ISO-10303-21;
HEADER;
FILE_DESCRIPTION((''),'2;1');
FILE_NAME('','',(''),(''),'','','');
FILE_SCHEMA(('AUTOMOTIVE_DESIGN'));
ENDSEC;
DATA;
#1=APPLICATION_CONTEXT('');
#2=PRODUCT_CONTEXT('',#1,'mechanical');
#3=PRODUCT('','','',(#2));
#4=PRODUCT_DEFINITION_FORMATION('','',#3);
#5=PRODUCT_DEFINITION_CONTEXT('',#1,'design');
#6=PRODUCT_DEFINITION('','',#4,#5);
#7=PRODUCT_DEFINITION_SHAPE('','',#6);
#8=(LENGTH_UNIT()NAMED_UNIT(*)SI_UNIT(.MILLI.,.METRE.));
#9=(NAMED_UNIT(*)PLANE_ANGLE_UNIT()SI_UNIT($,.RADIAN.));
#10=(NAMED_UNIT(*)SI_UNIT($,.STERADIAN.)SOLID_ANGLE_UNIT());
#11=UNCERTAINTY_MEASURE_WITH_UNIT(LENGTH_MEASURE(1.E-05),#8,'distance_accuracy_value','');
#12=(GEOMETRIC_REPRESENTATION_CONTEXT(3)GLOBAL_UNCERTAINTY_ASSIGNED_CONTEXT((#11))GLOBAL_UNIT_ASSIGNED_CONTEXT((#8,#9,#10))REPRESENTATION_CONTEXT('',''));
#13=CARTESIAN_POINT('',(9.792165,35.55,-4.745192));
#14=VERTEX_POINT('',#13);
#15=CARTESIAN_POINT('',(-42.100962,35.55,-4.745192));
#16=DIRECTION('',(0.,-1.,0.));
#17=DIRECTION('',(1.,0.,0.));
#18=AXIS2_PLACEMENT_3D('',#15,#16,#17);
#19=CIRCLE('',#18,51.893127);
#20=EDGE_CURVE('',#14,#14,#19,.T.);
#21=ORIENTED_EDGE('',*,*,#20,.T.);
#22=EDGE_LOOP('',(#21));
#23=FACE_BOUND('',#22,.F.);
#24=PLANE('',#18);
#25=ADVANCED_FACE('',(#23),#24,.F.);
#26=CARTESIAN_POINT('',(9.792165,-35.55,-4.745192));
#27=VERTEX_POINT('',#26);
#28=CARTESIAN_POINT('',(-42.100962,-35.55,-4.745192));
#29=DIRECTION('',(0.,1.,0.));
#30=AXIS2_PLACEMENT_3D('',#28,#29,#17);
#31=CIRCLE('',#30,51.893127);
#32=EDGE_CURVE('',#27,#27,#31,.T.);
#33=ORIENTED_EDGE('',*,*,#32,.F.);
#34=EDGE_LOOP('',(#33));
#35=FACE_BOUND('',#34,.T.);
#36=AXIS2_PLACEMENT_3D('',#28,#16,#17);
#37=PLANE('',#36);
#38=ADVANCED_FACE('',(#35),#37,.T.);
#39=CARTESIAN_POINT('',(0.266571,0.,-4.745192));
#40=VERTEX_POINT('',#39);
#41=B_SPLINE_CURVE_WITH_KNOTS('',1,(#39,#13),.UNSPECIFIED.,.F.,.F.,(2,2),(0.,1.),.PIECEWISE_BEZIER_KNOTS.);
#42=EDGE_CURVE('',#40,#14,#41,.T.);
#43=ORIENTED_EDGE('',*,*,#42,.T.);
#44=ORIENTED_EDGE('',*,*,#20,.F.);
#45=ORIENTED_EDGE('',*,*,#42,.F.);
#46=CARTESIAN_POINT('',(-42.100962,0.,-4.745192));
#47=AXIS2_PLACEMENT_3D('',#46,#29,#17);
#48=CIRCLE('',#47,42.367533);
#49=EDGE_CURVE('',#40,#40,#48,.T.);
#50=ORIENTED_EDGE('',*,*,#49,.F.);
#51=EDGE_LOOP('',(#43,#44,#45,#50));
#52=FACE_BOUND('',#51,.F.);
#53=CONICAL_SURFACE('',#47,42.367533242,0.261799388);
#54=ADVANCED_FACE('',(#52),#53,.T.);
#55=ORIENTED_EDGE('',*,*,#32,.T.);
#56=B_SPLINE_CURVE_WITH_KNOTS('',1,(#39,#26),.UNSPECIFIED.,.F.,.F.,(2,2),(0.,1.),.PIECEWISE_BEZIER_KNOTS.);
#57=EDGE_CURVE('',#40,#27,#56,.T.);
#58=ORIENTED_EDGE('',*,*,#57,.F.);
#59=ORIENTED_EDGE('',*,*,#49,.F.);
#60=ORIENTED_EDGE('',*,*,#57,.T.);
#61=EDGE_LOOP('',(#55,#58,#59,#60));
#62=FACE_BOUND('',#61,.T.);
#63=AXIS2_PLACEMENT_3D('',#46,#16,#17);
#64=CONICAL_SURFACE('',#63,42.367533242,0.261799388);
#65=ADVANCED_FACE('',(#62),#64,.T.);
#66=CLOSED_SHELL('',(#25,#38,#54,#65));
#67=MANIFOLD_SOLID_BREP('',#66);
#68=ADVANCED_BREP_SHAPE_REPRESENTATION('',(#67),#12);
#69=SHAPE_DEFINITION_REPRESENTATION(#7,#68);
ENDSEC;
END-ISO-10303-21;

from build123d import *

# Parameters (mm, degrees)
F0_R     = 42.3675332422
F1_DEPTH = 35.55
F1_TAPER = -15


with BuildPart() as f1:
    # F0 (on Front) → F1 (new body, symmetric)
    with BuildSketch(Plane.XZ):
        with Locations((-42.1009622514, -4.7451923601)):
            Circle(F0_R)
    extrude(amount=F1_DEPTH, both=True, taper=F1_TAPER)


solid = f1.part
